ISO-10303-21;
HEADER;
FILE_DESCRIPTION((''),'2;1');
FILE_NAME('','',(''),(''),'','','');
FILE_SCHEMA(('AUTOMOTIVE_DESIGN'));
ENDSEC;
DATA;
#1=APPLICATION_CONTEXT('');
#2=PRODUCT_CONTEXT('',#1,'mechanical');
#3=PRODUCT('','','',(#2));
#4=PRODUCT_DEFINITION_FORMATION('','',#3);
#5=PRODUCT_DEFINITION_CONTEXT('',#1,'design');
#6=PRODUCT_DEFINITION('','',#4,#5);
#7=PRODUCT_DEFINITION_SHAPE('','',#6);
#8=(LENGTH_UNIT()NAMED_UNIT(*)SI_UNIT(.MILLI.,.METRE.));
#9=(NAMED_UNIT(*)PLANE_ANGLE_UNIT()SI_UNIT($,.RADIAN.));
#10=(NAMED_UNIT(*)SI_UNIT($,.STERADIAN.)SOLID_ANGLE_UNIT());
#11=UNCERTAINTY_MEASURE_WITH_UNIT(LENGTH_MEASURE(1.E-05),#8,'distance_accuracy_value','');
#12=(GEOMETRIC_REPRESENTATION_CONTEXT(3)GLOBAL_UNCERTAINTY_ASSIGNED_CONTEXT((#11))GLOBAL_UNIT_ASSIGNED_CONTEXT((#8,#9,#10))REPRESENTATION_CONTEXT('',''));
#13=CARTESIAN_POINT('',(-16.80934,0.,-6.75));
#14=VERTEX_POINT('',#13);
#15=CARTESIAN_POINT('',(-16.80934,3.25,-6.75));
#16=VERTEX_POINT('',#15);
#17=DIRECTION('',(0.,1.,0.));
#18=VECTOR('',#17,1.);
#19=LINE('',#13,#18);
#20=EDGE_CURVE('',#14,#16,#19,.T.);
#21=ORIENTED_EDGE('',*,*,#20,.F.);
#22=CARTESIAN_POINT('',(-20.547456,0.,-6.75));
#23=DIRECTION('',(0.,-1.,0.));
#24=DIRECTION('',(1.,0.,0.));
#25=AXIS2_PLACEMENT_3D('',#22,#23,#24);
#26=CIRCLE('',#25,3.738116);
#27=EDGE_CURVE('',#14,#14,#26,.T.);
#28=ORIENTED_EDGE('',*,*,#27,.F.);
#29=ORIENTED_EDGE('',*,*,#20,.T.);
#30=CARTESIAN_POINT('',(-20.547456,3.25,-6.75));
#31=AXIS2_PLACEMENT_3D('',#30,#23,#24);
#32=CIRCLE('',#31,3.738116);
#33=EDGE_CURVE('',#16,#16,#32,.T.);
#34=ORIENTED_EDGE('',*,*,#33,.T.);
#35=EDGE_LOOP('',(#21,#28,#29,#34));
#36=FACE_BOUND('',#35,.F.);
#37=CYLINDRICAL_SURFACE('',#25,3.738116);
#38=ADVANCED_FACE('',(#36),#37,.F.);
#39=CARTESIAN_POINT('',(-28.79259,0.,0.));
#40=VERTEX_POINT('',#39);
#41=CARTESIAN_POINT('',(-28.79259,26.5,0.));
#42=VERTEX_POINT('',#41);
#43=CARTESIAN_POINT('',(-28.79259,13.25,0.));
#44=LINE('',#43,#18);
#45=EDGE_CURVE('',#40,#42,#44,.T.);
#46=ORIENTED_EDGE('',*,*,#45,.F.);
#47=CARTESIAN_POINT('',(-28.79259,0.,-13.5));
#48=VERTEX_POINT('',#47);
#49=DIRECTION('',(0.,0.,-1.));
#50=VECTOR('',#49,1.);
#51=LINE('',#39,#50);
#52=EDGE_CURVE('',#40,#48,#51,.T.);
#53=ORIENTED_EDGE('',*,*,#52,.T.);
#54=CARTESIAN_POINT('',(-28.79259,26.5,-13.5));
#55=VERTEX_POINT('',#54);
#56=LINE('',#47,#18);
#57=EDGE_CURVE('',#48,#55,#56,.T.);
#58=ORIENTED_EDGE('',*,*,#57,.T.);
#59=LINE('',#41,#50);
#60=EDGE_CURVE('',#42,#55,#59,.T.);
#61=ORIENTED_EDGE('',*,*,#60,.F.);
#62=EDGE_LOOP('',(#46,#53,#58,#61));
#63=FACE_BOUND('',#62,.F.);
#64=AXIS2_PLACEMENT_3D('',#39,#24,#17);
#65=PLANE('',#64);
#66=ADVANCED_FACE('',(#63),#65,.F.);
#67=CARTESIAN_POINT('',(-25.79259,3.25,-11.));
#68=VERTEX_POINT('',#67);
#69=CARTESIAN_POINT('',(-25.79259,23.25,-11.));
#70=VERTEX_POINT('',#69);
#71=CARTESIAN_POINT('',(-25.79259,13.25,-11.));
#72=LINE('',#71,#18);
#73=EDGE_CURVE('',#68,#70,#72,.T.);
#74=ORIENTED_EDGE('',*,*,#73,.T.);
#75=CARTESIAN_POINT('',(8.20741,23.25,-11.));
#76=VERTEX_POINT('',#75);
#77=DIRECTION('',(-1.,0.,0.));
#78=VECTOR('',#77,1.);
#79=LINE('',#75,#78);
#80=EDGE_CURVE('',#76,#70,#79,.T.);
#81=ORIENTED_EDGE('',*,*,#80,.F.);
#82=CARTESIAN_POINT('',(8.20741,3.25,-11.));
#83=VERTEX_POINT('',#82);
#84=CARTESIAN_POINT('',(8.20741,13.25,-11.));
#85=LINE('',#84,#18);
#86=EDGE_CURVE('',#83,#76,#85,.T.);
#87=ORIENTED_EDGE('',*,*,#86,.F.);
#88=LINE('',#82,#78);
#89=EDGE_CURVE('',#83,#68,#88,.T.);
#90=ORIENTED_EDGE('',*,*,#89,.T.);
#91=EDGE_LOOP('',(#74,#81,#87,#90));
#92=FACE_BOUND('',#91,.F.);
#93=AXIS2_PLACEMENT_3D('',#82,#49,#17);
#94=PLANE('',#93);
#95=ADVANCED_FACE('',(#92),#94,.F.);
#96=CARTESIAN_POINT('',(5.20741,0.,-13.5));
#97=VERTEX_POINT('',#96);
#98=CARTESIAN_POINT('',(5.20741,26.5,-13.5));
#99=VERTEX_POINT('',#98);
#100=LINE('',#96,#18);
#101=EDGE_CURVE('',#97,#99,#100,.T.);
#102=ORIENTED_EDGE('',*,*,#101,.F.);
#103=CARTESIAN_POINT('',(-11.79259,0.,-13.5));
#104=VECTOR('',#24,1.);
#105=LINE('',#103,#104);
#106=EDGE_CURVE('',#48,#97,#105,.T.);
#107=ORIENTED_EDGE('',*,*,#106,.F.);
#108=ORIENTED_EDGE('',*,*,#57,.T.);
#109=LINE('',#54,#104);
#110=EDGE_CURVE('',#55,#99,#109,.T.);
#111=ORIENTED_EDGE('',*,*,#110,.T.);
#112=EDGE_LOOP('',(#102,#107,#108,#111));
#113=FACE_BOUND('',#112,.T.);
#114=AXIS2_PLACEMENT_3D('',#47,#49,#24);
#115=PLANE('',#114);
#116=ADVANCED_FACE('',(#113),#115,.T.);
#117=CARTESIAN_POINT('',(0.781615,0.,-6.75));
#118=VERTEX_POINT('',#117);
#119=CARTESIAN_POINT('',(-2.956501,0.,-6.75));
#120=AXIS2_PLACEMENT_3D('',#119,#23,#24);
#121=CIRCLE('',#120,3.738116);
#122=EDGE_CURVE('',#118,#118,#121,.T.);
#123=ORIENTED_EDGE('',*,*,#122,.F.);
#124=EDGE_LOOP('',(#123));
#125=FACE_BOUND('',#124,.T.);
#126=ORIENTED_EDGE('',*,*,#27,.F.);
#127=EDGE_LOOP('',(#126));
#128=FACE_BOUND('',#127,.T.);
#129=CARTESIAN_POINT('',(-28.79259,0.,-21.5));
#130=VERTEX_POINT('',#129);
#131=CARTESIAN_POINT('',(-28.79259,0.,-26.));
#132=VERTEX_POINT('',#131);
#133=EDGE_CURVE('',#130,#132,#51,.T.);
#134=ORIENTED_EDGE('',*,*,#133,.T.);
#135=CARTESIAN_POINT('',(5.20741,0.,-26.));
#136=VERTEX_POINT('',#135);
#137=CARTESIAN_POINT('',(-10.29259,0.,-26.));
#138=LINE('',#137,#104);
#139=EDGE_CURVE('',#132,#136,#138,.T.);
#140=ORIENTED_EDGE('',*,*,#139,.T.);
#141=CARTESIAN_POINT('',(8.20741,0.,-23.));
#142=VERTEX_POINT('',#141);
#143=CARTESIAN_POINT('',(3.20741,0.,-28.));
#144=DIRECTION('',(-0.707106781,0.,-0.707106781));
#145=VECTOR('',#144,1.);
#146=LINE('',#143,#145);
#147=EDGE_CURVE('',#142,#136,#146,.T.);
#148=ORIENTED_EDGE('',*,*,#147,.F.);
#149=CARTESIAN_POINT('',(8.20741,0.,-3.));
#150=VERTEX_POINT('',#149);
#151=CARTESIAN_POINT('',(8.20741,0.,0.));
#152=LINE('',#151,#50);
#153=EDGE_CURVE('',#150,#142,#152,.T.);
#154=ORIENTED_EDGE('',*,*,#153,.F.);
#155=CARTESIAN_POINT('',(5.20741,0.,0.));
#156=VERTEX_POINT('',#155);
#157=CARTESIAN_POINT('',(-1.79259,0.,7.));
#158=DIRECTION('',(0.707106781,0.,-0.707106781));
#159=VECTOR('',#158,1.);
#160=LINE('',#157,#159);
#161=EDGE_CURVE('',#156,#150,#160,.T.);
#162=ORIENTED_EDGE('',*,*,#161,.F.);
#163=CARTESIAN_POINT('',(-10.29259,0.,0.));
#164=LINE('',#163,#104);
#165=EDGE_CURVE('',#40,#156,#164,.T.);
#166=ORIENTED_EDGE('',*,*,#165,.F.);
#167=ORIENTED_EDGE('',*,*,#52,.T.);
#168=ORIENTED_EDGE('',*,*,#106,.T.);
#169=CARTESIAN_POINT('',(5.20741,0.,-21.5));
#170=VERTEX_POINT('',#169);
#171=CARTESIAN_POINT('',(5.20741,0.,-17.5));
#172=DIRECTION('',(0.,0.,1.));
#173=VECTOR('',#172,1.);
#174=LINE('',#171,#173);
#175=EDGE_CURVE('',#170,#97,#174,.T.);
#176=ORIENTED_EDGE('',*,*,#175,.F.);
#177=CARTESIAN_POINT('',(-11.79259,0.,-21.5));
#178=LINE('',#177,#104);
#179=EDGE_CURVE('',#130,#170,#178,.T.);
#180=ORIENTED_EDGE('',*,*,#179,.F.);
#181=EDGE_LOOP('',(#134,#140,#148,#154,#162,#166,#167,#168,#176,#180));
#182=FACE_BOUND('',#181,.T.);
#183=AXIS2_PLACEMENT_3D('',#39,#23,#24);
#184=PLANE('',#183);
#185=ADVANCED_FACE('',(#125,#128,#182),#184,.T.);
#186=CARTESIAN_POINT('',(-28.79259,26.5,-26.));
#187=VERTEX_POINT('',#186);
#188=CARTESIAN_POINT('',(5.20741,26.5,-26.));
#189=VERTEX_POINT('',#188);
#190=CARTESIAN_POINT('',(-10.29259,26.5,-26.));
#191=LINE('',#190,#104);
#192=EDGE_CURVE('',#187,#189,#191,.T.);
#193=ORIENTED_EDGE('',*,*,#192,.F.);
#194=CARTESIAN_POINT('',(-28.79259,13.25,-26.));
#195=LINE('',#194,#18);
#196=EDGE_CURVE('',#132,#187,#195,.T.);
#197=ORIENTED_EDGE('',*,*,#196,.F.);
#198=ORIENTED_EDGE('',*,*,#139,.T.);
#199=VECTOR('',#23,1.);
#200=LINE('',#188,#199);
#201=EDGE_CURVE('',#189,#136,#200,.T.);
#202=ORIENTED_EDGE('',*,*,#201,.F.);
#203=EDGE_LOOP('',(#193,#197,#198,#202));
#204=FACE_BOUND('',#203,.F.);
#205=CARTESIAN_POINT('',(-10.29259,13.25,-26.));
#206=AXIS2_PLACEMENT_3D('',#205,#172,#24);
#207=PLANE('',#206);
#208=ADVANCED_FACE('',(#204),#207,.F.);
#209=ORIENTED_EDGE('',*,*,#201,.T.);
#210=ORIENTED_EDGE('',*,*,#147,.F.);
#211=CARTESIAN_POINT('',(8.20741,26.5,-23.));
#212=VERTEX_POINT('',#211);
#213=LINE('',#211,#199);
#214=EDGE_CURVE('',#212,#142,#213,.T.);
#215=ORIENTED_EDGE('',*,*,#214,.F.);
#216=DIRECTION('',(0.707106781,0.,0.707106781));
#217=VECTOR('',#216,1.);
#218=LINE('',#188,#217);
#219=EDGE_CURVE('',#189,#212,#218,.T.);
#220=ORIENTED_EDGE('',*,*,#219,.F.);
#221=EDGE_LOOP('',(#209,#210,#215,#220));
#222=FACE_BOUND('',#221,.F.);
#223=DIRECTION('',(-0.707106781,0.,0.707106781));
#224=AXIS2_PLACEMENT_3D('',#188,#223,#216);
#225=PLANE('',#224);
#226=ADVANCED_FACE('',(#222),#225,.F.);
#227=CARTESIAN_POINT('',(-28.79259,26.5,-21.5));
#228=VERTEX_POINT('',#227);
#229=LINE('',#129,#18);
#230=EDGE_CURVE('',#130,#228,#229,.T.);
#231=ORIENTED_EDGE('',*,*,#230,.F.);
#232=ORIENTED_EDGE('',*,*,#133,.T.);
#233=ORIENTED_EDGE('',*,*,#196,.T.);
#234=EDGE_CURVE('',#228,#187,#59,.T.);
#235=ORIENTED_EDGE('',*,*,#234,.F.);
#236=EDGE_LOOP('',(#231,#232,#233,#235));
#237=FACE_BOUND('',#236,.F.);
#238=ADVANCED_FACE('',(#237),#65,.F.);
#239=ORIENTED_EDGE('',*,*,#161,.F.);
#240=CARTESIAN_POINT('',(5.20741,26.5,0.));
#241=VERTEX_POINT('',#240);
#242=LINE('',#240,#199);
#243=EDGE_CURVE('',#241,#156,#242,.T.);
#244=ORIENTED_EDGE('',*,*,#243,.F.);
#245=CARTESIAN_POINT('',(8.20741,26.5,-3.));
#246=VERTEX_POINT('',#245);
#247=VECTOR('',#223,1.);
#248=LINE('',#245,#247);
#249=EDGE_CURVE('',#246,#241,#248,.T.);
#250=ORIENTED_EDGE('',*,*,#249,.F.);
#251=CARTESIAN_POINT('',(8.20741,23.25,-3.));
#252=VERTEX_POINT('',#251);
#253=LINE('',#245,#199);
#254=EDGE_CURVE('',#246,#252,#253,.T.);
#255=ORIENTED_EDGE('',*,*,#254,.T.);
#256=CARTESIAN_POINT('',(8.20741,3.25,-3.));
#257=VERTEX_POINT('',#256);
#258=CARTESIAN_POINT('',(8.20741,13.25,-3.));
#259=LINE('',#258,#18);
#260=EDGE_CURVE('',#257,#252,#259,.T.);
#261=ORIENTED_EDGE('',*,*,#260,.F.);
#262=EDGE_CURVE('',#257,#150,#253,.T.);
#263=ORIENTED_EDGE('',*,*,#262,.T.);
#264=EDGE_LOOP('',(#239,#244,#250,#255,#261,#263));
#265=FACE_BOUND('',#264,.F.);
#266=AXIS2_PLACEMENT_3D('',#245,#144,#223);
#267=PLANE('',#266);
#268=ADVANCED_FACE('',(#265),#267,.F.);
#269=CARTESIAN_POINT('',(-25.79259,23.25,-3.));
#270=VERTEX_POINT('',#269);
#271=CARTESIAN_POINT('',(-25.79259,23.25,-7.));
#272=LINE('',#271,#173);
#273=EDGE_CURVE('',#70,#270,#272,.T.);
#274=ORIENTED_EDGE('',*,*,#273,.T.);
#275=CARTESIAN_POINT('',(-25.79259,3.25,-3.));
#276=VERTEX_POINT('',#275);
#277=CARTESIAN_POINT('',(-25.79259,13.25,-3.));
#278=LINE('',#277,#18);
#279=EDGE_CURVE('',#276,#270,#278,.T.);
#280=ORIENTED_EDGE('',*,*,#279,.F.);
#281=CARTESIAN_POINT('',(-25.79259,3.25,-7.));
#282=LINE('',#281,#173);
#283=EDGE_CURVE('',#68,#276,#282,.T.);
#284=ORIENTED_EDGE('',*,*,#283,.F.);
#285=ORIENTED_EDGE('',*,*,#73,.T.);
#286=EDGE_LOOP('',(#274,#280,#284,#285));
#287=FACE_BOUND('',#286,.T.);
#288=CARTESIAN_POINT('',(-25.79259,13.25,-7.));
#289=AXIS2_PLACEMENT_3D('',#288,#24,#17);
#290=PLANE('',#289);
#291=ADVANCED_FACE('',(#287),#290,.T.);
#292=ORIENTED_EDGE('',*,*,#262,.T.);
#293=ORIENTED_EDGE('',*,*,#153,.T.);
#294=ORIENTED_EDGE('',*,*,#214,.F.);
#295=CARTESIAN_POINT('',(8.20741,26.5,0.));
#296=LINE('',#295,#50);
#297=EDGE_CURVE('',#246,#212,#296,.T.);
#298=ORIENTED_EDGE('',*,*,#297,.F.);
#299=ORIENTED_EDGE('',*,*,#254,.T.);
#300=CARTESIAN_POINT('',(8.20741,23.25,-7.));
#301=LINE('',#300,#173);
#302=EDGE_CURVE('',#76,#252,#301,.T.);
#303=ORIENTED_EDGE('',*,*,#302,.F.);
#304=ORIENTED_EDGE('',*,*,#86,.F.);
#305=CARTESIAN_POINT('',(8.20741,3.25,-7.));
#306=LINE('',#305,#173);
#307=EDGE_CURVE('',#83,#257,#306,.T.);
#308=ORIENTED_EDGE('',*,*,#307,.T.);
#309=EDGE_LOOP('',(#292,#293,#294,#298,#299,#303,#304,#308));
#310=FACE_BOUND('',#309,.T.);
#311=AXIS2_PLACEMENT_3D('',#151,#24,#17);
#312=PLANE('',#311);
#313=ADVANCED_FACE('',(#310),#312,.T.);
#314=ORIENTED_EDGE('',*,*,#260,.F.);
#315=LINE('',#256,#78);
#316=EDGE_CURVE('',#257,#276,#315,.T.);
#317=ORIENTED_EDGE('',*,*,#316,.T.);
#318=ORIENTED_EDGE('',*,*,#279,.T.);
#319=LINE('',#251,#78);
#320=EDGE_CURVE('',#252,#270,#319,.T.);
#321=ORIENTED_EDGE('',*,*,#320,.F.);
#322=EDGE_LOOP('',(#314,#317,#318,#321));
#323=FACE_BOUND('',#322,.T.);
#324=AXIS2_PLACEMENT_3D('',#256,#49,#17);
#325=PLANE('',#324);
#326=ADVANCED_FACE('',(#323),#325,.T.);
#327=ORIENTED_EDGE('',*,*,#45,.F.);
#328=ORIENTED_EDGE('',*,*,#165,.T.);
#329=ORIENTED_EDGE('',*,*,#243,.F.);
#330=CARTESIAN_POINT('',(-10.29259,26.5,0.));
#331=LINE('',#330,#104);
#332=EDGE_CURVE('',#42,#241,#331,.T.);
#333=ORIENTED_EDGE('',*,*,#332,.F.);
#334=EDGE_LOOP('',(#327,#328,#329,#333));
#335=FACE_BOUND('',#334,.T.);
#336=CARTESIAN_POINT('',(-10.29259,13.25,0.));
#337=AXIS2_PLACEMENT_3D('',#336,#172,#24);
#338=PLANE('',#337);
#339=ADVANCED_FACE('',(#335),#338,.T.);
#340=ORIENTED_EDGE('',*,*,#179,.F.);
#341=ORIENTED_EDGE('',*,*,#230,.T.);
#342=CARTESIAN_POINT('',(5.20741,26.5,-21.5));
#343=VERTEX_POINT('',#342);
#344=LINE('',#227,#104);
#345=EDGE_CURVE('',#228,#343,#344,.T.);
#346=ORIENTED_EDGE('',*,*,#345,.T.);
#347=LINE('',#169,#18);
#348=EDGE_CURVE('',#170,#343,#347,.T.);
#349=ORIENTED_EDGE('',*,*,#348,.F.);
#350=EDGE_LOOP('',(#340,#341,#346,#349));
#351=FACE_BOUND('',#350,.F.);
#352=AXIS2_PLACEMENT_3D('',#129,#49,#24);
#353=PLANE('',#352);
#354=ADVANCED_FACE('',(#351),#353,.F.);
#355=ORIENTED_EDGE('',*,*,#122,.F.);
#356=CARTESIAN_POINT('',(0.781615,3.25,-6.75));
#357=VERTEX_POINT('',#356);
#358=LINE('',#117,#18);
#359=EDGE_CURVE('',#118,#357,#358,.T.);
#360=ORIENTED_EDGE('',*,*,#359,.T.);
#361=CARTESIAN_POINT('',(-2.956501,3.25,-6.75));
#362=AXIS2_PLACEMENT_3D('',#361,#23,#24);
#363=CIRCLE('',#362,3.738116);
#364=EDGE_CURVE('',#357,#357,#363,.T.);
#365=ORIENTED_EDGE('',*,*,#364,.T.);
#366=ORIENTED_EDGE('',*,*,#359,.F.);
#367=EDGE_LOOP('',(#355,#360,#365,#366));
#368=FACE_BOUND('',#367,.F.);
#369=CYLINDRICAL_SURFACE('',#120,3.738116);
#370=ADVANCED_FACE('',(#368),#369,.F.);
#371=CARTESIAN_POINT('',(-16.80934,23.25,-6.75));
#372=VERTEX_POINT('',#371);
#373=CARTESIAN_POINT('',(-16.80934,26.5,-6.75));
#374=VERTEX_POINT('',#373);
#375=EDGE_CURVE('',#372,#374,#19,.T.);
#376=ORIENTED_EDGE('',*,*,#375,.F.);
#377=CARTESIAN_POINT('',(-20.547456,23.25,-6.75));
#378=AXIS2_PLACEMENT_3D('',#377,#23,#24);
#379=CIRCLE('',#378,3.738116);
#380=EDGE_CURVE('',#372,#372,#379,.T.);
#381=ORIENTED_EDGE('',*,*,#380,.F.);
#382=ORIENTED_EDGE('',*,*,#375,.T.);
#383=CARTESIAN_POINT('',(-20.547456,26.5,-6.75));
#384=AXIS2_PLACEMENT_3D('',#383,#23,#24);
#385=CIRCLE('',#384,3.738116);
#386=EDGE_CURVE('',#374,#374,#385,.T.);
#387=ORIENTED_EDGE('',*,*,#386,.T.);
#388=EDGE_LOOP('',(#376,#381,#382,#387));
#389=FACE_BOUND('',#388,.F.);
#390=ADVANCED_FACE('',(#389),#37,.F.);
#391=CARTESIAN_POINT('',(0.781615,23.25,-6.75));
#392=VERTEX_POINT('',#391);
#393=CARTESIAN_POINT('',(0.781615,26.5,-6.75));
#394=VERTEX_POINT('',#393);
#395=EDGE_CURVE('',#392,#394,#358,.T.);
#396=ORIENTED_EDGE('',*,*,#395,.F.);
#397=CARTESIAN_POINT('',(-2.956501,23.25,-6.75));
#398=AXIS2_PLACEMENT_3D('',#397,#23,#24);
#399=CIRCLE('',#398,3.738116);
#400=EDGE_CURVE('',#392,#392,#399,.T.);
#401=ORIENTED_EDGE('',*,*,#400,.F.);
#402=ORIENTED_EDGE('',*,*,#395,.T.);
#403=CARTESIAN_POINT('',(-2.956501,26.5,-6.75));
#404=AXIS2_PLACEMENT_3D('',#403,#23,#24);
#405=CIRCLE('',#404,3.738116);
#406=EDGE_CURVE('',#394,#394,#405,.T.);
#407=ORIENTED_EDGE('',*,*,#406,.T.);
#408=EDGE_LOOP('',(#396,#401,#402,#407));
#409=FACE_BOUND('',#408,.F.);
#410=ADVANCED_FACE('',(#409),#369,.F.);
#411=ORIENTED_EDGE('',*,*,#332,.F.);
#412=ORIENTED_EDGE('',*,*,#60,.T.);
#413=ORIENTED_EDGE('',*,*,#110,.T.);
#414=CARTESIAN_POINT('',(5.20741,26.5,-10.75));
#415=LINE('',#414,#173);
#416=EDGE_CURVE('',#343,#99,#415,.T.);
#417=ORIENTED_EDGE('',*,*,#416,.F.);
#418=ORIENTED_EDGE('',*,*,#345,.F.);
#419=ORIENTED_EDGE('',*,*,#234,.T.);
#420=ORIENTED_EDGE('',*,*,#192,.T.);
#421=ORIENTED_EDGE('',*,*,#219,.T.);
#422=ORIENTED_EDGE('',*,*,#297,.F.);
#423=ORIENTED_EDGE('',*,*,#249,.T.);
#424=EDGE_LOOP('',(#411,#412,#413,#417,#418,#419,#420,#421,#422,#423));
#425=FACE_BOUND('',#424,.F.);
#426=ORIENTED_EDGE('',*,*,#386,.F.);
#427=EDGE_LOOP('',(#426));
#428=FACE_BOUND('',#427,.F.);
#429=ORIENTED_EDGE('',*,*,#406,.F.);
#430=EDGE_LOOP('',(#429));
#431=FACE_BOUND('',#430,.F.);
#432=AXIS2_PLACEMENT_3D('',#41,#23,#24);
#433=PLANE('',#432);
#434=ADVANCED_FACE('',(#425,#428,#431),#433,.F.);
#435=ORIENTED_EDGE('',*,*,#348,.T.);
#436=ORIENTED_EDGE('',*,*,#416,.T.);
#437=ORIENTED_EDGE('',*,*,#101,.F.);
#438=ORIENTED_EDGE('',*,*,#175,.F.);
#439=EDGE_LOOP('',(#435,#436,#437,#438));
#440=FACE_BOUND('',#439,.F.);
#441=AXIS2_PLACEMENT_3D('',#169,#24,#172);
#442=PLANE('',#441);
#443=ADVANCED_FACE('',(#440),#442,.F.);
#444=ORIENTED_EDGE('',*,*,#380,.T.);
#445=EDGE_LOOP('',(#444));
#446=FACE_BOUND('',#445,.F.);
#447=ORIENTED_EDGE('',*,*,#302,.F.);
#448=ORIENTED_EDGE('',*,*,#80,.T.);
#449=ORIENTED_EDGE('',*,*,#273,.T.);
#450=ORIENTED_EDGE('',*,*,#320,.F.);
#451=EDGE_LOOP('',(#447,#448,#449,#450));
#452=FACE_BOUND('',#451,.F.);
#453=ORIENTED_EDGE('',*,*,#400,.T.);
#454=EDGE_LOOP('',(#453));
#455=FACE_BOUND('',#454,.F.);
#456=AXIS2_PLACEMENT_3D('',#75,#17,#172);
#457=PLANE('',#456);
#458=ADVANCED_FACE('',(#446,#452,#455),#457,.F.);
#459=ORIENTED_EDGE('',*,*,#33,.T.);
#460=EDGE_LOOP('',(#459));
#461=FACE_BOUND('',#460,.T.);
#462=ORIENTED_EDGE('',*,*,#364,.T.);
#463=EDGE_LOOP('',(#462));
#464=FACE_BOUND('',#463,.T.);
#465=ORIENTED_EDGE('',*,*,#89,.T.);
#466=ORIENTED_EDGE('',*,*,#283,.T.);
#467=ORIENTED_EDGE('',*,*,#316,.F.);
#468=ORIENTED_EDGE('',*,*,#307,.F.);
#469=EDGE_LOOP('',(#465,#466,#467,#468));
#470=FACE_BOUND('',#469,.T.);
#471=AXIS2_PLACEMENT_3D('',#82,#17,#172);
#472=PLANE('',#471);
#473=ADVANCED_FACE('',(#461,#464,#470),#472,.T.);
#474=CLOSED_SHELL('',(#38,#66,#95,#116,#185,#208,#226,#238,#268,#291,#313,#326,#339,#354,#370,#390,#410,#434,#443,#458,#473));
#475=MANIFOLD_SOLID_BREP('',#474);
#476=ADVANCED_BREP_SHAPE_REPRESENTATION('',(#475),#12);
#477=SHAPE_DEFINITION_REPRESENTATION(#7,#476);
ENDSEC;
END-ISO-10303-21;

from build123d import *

# Parameters (mm, degrees)
F0_W     = 37
F0_H     = 26.5
F1_DEPTH = 26
F2_W     = 34
F2_H     = 8
F2_R     = 3.738116
F3_DEPTH = 26.501
F4_W     = 20
F4_H     = 8
F5_DEPTH = 34
F7_DEPTH = 26.501


with BuildPart() as f1:
    # F0 (on Top) → F1 (new body)
    with BuildSketch(Plane.XY):
        with Locations((-10.29259, 13.25)):
            Rectangle(F0_W, F0_H)
    extrude(amount=-F1_DEPTH)

    # F2 (on Front) → F3 (cut, through all)
    with BuildSketch(Plane.XZ):
        with Locations((-11.79259, -17.5)):
            Rectangle(F2_W, F2_H)
        with Locations((-20.547456, -6.75)):
            Circle(F2_R)
        with Locations((-2.956501, -6.75)):
            Circle(F2_R)
    extrude(amount=-F3_DEPTH, mode=Mode.SUBTRACT)

    # F4 (on face) → F5 (cut)
    with BuildSketch(Plane.YZ.offset(8.20741)):
        with Locations((13.25, -7)):
            Rectangle(F4_W, F4_H)
    extrude(amount=-F5_DEPTH, mode=Mode.SUBTRACT)

    # F6 (on face) → F7 (cut, through all)
    with BuildSketch(Plane(origin=(0, 26.5, 0), x_dir=(-1, 0, 0), z_dir=(0, 1, 0))):
        Polygon((-8.20741, 0), (-8.20741, -3), (-5.20741, 0), align=None)
        Polygon((-8.20741, -23), (-8.20741, -26), (-5.20741, -26), align=None)
    extrude(amount=-F7_DEPTH, mode=Mode.SUBTRACT)


solid = f1.part
